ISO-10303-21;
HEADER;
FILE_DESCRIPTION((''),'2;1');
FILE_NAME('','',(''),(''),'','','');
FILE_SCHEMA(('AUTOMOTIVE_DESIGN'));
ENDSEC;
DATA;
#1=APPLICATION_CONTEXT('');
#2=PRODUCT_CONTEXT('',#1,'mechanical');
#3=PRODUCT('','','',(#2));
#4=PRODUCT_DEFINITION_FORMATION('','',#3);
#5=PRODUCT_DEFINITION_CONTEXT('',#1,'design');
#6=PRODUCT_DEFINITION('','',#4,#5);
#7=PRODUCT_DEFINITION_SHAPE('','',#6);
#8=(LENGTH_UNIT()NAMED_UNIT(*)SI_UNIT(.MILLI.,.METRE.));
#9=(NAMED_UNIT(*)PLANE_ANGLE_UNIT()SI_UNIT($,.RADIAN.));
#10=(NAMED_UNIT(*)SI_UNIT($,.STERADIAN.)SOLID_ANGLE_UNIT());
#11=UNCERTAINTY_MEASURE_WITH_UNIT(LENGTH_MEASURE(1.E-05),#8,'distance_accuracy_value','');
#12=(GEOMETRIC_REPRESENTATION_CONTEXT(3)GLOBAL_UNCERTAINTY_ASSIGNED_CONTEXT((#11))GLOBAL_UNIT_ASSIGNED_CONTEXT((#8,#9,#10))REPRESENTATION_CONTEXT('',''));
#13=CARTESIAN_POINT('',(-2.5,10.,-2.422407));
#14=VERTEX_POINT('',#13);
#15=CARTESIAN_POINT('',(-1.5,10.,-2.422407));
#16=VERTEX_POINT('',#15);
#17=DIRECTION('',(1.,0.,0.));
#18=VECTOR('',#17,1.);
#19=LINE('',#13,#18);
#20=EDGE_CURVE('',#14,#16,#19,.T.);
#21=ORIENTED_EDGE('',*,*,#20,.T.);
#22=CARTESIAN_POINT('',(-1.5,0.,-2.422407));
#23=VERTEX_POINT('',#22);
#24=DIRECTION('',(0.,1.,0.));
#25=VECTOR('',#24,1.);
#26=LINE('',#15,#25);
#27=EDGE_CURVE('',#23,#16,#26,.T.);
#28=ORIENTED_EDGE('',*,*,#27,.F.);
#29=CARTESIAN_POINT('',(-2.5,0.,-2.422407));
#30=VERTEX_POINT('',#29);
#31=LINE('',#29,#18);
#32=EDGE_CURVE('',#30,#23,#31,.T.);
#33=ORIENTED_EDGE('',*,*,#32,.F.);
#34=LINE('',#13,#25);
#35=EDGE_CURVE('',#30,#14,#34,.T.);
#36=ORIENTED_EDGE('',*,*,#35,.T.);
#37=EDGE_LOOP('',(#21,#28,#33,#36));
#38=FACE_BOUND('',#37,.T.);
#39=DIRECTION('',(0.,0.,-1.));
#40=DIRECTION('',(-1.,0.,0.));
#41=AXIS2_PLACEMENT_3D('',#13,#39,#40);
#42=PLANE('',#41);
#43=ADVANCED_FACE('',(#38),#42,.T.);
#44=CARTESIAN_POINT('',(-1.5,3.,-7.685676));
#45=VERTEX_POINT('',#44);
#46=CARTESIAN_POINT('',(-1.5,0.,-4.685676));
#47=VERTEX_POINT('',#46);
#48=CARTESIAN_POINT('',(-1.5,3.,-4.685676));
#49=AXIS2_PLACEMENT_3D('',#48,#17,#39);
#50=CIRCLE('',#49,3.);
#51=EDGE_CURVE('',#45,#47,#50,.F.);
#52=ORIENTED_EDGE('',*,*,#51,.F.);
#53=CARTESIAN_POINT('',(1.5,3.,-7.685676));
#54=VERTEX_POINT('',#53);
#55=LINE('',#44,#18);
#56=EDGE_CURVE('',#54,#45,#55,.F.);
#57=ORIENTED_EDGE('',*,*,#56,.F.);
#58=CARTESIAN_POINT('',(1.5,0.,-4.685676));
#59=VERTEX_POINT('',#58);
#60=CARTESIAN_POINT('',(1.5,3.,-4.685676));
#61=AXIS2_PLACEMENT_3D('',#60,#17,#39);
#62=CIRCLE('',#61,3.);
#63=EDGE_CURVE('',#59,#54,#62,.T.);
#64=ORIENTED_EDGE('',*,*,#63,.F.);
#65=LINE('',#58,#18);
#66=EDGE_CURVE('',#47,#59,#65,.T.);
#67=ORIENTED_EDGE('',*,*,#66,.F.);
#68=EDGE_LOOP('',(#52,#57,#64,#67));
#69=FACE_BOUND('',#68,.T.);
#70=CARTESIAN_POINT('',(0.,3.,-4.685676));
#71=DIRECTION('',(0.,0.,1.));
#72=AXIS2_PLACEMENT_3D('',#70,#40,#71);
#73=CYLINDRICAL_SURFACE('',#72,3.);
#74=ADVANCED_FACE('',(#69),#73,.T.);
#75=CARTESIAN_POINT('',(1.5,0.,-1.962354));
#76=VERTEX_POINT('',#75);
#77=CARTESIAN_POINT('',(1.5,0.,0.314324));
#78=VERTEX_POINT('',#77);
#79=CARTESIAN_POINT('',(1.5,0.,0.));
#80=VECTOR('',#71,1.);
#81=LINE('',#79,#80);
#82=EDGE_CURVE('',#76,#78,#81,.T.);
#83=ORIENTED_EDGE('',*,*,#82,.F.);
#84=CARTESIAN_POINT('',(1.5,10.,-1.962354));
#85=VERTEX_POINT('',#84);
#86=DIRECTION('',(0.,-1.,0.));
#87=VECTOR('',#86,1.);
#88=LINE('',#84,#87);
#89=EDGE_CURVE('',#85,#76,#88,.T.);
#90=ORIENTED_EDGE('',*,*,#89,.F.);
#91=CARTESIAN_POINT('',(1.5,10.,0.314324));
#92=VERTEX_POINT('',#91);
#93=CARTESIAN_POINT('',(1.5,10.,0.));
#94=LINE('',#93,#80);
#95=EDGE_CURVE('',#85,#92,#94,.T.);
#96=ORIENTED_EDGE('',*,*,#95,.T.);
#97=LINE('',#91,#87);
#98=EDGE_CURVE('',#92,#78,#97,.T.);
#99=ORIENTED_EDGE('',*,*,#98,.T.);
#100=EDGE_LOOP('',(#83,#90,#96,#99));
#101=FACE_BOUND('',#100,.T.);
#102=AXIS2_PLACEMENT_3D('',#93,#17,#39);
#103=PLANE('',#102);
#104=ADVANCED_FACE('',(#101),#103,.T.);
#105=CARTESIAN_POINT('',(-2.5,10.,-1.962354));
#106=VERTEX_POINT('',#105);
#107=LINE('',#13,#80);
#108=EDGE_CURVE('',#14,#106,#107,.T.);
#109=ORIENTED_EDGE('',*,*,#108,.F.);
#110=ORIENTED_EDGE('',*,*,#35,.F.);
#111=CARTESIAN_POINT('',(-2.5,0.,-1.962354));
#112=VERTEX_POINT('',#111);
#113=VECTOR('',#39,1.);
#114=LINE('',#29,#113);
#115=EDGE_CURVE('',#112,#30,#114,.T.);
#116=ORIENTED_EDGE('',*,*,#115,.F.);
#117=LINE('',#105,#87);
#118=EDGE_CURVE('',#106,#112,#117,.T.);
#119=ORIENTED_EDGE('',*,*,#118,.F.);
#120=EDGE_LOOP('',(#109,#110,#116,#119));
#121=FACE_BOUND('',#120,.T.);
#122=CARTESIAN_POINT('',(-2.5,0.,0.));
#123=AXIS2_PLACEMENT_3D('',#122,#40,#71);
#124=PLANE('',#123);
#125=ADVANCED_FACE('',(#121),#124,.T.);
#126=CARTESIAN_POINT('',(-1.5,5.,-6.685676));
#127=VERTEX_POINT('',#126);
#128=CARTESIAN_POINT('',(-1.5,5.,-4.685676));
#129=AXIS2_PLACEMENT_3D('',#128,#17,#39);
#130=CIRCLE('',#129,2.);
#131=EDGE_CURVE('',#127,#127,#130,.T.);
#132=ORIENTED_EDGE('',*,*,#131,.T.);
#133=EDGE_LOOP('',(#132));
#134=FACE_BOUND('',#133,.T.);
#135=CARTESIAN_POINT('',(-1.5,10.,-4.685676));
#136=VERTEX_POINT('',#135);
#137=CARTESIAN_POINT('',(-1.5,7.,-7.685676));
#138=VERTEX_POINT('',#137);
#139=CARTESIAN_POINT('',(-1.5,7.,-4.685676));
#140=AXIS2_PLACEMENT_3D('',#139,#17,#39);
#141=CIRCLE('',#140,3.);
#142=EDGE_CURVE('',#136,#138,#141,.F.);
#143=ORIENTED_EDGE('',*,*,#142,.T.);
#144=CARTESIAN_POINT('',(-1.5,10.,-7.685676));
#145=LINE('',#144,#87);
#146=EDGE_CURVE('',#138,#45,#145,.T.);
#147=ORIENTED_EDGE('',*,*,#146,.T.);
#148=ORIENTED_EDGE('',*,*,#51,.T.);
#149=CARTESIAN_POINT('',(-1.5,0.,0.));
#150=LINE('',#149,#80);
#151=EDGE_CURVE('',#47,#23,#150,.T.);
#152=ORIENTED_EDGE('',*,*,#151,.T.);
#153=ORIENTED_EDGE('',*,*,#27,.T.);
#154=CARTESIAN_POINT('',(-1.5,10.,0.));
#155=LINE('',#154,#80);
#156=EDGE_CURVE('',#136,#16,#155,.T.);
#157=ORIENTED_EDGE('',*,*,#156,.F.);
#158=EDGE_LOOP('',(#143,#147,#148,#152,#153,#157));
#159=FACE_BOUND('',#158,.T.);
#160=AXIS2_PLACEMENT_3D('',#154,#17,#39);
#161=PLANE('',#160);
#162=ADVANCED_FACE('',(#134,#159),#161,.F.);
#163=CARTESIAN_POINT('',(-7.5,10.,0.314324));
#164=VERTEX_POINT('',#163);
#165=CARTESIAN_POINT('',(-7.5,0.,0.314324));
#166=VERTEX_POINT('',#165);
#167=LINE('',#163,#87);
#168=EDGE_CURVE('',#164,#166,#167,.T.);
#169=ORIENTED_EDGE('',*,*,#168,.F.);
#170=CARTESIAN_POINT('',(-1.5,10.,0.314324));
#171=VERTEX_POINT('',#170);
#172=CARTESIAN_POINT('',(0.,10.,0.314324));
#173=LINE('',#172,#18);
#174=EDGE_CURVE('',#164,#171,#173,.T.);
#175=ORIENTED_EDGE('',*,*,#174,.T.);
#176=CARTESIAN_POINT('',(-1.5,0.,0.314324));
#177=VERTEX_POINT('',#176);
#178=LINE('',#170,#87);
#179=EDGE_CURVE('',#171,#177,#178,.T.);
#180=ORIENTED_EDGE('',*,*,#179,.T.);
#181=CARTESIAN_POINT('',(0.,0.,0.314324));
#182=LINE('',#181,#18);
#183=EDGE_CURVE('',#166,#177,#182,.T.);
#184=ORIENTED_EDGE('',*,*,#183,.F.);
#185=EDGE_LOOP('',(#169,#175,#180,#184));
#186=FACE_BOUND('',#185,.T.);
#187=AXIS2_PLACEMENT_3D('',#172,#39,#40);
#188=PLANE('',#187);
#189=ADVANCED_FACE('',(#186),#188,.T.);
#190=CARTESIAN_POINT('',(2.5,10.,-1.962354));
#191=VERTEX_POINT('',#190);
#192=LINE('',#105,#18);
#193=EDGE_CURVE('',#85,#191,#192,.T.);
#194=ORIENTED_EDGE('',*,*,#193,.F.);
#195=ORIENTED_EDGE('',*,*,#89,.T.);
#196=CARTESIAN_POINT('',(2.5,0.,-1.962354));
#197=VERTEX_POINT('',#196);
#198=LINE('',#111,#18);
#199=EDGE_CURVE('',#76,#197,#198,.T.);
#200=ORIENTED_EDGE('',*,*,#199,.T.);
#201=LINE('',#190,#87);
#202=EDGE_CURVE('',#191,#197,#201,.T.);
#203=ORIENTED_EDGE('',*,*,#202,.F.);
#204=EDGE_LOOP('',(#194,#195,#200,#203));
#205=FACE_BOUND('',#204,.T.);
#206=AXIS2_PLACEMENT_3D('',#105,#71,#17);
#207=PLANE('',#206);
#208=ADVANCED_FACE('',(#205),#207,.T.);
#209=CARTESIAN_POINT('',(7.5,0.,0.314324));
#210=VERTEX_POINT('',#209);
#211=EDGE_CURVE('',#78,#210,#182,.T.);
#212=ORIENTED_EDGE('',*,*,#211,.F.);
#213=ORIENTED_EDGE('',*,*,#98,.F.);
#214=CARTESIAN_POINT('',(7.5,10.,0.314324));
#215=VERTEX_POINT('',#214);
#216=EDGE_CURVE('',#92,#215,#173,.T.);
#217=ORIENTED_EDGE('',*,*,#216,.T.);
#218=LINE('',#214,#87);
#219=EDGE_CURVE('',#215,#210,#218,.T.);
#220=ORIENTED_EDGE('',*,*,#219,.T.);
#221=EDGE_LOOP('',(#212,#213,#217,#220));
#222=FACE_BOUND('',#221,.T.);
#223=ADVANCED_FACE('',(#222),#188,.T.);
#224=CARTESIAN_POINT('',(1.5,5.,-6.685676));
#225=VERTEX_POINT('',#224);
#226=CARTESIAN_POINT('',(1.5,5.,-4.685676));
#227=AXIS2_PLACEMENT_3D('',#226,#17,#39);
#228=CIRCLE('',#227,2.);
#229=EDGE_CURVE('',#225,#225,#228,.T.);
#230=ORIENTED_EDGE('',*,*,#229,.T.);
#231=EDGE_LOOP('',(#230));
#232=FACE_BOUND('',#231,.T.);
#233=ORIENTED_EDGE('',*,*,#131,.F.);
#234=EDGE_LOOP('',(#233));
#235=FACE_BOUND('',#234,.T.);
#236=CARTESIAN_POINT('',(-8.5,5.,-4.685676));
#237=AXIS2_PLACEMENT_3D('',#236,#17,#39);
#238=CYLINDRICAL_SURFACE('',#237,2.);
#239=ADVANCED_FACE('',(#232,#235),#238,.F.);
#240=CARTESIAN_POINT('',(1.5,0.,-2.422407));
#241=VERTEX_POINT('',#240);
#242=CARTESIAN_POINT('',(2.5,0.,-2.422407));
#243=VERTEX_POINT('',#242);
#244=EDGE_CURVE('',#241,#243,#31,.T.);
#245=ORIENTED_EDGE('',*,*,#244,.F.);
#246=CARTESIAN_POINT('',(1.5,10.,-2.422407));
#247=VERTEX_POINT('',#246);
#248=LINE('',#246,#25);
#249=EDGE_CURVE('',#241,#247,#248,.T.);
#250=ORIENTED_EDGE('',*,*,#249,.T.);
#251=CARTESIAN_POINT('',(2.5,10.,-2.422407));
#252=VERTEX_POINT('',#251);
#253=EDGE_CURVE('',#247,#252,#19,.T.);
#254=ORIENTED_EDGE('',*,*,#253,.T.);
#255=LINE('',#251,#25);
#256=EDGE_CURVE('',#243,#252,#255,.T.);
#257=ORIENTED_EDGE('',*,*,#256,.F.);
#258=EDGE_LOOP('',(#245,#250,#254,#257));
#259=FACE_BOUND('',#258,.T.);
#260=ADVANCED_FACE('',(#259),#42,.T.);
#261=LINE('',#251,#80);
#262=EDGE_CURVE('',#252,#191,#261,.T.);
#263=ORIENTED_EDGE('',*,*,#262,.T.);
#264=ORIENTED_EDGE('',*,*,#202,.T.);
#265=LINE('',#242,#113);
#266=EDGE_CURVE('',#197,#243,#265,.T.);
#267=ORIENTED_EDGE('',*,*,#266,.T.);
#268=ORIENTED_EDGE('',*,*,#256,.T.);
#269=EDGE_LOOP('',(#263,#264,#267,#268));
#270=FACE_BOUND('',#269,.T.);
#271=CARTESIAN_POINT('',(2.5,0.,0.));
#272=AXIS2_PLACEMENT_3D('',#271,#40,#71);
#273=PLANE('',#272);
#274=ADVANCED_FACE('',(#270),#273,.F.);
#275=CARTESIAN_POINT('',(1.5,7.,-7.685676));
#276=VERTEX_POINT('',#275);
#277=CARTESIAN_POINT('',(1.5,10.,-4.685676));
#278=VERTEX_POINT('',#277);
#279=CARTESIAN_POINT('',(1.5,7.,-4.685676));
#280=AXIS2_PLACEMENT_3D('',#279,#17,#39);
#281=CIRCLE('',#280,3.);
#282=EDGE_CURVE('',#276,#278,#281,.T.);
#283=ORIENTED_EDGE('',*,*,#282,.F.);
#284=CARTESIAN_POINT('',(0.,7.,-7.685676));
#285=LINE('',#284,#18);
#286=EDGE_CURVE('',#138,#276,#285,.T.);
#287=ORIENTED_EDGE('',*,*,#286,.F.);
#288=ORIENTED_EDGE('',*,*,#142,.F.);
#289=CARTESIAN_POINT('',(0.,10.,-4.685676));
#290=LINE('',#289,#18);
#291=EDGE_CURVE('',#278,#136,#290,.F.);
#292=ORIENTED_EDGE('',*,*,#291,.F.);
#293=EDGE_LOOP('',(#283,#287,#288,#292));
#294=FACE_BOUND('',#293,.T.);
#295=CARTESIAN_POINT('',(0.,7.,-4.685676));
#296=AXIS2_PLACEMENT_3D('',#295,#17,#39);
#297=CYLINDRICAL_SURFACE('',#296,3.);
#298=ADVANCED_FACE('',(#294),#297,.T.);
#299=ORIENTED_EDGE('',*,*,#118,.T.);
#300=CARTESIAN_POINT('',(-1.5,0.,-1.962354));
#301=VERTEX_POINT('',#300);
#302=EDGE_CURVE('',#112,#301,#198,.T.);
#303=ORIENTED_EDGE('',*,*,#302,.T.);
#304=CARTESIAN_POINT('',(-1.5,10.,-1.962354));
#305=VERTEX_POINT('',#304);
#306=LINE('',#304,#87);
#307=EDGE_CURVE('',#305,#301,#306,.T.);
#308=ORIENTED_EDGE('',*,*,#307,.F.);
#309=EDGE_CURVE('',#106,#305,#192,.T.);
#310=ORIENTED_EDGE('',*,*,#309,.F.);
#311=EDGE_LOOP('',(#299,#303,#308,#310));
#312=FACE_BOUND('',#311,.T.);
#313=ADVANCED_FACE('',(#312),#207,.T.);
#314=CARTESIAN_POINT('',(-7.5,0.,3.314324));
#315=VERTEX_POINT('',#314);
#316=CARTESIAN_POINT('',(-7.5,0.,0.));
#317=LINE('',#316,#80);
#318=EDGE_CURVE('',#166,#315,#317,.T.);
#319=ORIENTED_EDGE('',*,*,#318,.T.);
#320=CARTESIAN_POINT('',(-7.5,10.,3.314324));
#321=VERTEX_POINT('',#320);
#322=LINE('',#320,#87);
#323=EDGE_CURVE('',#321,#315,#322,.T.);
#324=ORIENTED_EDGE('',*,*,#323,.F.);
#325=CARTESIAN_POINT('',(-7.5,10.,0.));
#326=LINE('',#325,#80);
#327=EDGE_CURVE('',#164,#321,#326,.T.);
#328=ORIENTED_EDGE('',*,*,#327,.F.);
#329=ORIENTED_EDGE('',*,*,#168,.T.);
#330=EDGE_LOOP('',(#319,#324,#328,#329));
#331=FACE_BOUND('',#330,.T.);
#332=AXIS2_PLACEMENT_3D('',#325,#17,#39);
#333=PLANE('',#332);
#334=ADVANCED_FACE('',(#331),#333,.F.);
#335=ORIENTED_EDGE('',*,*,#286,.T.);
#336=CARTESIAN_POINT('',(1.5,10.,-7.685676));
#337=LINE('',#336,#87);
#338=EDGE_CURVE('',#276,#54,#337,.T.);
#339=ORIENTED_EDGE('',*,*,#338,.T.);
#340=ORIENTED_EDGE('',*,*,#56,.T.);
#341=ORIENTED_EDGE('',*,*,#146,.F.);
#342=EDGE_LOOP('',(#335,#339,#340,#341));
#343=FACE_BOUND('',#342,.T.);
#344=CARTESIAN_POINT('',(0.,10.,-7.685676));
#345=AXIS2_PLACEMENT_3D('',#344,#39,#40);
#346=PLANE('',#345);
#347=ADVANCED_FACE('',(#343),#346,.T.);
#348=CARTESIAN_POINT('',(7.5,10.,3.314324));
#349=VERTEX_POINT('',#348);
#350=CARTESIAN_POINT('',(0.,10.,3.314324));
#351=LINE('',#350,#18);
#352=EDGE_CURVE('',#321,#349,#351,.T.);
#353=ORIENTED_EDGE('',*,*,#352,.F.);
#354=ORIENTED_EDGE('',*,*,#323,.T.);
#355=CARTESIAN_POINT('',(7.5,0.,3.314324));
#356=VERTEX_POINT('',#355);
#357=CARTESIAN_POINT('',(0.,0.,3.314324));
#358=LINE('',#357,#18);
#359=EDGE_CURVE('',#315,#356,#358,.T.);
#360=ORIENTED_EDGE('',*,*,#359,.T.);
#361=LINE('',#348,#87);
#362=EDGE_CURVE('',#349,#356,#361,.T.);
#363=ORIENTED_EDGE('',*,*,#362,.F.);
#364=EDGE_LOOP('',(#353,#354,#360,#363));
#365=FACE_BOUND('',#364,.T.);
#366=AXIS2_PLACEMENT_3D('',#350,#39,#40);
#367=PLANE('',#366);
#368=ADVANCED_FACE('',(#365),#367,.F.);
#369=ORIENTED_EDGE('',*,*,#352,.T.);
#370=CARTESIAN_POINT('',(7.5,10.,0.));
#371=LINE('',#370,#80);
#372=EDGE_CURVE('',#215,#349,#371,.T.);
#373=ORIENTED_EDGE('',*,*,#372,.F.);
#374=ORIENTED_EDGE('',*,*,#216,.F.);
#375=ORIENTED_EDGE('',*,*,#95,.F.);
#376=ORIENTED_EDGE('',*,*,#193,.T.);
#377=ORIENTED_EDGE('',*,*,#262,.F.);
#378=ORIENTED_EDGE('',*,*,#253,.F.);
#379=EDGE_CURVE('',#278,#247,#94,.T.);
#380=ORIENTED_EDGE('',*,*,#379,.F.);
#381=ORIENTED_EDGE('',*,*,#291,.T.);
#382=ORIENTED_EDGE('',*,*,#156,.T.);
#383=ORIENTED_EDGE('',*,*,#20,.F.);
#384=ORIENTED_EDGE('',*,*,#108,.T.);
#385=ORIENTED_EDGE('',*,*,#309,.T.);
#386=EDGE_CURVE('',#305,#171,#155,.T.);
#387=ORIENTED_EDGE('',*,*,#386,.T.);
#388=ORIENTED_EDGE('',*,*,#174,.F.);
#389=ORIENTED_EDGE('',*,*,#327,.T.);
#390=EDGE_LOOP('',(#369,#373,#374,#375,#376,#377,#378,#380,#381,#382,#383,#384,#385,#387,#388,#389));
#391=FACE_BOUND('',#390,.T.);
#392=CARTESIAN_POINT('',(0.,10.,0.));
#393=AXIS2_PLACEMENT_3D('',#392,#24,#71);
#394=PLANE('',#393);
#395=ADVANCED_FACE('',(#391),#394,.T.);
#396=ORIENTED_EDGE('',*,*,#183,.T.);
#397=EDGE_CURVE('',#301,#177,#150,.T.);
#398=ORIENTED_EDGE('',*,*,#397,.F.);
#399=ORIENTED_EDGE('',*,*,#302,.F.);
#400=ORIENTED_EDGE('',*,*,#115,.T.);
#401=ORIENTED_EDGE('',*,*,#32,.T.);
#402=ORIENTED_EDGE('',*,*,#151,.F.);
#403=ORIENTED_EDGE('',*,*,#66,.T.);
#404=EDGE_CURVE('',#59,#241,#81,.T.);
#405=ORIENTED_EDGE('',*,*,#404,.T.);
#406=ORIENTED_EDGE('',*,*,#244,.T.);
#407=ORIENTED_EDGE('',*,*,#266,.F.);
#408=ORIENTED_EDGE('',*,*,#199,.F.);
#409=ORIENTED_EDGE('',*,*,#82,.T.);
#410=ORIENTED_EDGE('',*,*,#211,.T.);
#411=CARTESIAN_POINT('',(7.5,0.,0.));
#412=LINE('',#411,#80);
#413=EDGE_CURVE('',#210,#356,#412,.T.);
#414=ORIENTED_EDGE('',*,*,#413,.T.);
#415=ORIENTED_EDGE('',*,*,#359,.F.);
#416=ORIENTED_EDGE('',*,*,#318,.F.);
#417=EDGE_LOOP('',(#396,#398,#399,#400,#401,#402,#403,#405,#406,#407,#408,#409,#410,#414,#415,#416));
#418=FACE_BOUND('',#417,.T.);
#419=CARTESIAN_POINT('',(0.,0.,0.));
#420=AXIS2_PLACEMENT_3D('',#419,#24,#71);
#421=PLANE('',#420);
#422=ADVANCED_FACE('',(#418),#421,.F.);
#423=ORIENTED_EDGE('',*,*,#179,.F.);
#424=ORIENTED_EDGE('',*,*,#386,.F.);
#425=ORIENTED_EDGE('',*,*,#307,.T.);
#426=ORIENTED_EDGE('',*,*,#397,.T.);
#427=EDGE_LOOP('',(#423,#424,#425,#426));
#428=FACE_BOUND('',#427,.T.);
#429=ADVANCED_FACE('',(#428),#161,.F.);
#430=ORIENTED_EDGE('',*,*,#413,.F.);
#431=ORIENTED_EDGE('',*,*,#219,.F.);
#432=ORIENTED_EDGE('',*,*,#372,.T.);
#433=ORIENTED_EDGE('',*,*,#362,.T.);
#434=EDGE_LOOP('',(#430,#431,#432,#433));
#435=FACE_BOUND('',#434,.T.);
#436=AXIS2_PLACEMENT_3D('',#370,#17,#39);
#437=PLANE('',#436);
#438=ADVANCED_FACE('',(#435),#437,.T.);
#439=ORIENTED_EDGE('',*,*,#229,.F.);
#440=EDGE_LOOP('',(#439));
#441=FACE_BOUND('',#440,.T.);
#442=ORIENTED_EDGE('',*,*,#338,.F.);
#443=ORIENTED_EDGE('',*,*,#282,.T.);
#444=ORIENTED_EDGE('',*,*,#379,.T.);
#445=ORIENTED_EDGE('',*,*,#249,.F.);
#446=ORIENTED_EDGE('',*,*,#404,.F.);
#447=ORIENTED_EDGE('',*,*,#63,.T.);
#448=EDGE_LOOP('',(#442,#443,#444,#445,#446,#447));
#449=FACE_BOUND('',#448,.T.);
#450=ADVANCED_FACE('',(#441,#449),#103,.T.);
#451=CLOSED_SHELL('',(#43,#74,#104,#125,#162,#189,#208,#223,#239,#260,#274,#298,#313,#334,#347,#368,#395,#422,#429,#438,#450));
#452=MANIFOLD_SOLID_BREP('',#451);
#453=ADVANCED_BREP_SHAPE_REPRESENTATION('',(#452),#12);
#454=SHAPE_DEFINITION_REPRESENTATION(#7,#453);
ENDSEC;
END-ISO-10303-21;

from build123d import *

# Parameters (mm, degrees)
BOSS_EXTRUDE1_DEPTH      = 10
FILLET1_R                = 3
SKETCH2_R                = 2
CUT_EXTRUDE1_DEPTH       = 10
BOSS_EXTRUDE2_DEPTH      = 1
BOSS_EXTRUDE2_DEPTH_BACK = 4
SKETCH3_W                = 0.460053571
SKETCH3_H                = 10


with BuildPart() as part:
    # Sketch1 → Boss-Extrude1 (new body)
    with BuildSketch(Plane(origin=(0, 0, 0), x_dir=(1, 0, 0), z_dir=(0, 1, 0))):
        Polygon((1.5, 7.685676393), (-1.5, 7.685676393), (-1.5, -0.314323607), (-7.5, -0.314323607), (-7.5, -3.314323607), (7.5, -3.314323607), (7.5, -0.314323607), (1.5, -0.314323607), align=None)
    extrude(amount=BOSS_EXTRUDE1_DEPTH)

    # Fillet1
    fillet1_edges = [part.edges().sort_by_distance(p)[0] for p in [
        (0, 0, -7.685676393),
        (0, 10, -7.685676393),
    ]]
    fillet(fillet1_edges, radius=FILLET1_R)

    # Sketch2 → Cut-Extrude1 (cut)
    with BuildSketch(Plane(origin=(1.5, 0, 0), x_dir=(0, 0, -1), z_dir=(1, 0, 0))):
        with Locations((4.685676393, 5)):
            Circle(SKETCH2_R)
    extrude(amount=-CUT_EXTRUDE1_DEPTH, mode=Mode.SUBTRACT)

    # Sketch3 → Boss-Extrude2 (add, two sides: drawn at the far end of the back side and taken through both)
    with BuildSketch(Plane(origin=(1.5, 0, 0), x_dir=(0, 0, -1), z_dir=(1, 0, 0)).offset(-BOSS_EXTRUDE2_DEPTH_BACK)):
        with Locations((2.192380635, 5)):
            Rectangle(SKETCH3_W, SKETCH3_H)
    extrude(amount=BOSS_EXTRUDE2_DEPTH + BOSS_EXTRUDE2_DEPTH_BACK)


solid = part.part
